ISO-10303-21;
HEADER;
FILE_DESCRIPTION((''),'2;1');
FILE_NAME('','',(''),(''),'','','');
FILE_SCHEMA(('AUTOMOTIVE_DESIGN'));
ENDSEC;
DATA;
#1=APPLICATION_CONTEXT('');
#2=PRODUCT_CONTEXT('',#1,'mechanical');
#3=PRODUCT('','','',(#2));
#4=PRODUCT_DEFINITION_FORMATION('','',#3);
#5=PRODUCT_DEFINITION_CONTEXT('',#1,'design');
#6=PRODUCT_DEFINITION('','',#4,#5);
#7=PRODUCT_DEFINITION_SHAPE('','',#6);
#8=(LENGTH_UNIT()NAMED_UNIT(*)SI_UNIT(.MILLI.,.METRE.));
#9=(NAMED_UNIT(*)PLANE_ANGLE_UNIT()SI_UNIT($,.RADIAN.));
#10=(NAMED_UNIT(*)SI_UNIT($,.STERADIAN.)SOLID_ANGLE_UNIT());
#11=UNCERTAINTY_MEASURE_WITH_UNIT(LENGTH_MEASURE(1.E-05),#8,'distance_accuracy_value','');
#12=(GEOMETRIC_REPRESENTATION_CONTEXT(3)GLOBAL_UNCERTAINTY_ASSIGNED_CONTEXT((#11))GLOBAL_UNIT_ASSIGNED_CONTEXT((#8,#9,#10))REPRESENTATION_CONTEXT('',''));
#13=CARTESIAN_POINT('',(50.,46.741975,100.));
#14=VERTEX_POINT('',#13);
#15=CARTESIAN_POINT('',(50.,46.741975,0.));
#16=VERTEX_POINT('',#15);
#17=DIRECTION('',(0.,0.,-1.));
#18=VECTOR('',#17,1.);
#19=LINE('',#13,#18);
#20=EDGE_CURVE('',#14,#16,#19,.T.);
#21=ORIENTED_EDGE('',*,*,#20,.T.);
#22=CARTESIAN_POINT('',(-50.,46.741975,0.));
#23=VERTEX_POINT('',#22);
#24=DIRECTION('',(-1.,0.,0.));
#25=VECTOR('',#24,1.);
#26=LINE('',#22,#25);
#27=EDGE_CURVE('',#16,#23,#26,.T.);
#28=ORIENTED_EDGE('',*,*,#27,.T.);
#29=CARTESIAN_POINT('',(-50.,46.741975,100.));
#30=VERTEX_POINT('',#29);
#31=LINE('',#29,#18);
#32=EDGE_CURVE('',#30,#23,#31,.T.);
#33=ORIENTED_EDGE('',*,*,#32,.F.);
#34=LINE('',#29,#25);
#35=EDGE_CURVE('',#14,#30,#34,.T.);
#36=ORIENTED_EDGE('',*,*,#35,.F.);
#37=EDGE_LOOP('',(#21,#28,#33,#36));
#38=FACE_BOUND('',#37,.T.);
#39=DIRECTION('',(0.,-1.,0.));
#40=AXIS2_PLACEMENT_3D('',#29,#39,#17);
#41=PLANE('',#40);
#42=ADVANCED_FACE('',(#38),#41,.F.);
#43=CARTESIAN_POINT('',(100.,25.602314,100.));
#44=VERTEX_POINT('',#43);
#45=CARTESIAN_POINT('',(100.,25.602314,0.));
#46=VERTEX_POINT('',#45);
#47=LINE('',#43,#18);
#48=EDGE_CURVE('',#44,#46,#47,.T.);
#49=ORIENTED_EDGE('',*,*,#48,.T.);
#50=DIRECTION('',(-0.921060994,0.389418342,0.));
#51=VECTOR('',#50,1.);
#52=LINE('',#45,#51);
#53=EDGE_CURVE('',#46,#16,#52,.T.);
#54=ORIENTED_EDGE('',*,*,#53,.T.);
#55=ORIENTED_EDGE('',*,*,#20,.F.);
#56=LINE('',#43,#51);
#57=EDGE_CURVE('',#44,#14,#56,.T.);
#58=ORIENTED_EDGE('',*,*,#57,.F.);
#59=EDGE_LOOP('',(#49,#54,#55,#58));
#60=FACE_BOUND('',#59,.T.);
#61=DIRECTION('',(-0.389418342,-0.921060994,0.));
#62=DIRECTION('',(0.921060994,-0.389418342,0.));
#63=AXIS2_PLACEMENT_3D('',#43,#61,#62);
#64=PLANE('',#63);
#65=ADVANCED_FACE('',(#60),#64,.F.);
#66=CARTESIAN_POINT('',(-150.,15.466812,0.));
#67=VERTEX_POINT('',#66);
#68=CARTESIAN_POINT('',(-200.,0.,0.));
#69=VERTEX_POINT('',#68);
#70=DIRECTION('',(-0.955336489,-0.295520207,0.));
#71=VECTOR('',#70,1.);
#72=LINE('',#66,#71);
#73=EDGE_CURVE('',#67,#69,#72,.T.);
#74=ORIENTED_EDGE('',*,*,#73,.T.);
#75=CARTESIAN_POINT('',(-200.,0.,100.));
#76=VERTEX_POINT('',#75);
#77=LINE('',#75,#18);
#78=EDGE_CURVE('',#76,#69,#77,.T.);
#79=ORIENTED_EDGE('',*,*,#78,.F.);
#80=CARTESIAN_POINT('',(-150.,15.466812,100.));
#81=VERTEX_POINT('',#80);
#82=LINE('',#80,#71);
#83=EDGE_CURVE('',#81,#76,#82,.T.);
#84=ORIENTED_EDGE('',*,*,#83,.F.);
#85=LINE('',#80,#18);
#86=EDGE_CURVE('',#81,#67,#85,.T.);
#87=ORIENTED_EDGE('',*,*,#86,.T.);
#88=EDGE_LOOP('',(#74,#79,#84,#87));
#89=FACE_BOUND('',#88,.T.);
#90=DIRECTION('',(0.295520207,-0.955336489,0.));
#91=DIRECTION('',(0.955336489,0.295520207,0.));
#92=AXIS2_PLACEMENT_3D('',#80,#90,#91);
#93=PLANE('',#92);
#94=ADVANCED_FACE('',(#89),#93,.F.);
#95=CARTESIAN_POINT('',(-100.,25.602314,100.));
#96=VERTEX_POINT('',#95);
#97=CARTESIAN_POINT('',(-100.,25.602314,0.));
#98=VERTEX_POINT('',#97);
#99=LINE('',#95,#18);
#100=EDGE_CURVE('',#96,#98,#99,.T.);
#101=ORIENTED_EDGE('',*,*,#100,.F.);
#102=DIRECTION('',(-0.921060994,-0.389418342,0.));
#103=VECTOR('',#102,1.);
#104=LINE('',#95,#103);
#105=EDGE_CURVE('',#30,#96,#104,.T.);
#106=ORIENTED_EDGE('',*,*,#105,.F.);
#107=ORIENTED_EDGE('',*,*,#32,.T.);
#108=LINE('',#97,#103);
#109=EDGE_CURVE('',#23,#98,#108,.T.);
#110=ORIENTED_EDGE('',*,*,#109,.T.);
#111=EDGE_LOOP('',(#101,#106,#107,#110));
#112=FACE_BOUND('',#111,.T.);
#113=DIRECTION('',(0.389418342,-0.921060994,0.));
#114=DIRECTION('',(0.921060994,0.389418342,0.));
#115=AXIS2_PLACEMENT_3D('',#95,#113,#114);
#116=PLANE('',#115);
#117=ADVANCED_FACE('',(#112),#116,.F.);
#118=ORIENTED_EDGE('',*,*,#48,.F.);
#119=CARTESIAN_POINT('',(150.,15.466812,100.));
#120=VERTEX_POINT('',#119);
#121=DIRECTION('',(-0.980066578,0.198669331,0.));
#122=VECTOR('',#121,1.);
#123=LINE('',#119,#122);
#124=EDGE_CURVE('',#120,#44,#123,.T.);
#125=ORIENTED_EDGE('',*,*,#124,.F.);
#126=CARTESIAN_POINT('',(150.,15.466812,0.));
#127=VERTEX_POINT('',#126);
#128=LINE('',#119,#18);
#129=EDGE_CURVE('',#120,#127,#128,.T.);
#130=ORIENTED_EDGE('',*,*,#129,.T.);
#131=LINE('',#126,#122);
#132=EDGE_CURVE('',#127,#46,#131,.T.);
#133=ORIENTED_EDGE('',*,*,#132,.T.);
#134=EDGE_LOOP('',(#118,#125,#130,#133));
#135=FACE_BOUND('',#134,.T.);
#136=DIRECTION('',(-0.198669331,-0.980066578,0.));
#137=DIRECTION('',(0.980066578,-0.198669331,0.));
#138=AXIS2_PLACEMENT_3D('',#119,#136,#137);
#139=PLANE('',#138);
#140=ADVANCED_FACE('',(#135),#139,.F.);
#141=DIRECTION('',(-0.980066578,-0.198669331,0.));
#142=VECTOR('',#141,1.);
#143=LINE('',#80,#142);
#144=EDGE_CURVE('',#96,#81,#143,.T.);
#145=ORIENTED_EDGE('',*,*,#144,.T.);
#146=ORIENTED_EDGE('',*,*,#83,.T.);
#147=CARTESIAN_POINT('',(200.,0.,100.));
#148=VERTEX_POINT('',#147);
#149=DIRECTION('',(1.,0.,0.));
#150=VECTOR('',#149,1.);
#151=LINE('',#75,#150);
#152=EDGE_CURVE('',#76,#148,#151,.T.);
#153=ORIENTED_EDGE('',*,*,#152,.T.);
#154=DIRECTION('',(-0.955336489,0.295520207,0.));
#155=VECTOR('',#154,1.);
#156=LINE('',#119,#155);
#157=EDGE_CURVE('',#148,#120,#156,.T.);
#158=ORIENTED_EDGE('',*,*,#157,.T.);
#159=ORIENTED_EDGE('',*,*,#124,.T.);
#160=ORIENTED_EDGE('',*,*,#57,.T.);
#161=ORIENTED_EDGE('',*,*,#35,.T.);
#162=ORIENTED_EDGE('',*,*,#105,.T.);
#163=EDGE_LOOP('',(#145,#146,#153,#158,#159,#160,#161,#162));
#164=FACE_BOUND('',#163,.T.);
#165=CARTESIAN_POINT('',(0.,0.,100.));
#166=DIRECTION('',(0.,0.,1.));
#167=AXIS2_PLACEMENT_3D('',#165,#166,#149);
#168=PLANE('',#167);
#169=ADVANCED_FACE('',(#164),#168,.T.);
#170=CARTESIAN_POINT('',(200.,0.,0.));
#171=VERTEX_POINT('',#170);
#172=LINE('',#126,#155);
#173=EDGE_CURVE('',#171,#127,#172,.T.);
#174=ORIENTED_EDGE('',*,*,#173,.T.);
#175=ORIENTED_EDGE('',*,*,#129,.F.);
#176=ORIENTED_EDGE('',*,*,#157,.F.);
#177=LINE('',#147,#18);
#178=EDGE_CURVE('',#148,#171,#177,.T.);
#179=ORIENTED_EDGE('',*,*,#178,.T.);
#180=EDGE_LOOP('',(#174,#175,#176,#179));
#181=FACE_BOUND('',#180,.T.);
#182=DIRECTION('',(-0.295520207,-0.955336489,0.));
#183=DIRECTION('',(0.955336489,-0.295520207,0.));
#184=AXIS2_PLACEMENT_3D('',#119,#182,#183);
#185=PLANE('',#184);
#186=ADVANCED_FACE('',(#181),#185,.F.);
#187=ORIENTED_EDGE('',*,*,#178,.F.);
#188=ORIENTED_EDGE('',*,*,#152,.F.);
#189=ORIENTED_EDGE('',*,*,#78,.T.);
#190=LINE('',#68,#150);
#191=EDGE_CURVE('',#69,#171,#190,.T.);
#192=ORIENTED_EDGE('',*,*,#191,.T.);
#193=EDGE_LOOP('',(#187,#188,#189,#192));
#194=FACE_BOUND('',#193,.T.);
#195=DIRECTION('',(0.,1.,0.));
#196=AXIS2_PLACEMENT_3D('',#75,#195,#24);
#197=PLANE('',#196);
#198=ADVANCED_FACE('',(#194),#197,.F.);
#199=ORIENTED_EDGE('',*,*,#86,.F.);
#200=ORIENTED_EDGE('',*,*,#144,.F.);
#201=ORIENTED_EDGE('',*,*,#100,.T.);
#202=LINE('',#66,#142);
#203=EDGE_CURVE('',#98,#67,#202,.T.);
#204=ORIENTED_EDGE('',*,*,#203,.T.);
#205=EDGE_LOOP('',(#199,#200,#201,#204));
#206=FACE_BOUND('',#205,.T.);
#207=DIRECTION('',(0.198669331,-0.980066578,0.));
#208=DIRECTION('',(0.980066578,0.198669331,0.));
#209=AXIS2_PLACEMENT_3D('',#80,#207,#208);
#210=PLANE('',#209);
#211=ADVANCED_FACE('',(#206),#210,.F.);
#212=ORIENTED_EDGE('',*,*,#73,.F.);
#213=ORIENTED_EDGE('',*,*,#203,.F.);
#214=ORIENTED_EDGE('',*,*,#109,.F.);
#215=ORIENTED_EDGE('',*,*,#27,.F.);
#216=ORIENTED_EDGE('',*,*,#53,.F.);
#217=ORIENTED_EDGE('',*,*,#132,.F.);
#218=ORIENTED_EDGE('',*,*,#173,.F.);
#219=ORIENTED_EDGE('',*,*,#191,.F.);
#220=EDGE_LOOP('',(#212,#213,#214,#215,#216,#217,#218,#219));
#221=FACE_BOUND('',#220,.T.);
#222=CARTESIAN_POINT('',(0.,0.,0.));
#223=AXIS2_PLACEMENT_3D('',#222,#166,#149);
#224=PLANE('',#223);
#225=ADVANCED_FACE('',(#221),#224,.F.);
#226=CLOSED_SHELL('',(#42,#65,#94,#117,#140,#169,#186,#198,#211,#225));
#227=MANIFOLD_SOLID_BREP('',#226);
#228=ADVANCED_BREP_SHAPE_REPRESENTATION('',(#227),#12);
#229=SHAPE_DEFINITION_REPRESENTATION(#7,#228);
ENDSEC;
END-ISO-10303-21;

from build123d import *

# Parameters (mm, degrees)
EXTRUDE_1_DEPTH = 100


with BuildPart() as part:
    # 草图1 → 凸台-拉伸1 (new body)
    with BuildSketch(Plane.XY):
        Polygon((-150, 15.46681248), (-100, 25.602314256), (-50, 46.741975193), (50, 46.741975193), (100, 25.602314256), (150, 15.46681248), (200, 0), (-200, 0), align=None)
    extrude(amount=EXTRUDE_1_DEPTH)


solid = part.part
